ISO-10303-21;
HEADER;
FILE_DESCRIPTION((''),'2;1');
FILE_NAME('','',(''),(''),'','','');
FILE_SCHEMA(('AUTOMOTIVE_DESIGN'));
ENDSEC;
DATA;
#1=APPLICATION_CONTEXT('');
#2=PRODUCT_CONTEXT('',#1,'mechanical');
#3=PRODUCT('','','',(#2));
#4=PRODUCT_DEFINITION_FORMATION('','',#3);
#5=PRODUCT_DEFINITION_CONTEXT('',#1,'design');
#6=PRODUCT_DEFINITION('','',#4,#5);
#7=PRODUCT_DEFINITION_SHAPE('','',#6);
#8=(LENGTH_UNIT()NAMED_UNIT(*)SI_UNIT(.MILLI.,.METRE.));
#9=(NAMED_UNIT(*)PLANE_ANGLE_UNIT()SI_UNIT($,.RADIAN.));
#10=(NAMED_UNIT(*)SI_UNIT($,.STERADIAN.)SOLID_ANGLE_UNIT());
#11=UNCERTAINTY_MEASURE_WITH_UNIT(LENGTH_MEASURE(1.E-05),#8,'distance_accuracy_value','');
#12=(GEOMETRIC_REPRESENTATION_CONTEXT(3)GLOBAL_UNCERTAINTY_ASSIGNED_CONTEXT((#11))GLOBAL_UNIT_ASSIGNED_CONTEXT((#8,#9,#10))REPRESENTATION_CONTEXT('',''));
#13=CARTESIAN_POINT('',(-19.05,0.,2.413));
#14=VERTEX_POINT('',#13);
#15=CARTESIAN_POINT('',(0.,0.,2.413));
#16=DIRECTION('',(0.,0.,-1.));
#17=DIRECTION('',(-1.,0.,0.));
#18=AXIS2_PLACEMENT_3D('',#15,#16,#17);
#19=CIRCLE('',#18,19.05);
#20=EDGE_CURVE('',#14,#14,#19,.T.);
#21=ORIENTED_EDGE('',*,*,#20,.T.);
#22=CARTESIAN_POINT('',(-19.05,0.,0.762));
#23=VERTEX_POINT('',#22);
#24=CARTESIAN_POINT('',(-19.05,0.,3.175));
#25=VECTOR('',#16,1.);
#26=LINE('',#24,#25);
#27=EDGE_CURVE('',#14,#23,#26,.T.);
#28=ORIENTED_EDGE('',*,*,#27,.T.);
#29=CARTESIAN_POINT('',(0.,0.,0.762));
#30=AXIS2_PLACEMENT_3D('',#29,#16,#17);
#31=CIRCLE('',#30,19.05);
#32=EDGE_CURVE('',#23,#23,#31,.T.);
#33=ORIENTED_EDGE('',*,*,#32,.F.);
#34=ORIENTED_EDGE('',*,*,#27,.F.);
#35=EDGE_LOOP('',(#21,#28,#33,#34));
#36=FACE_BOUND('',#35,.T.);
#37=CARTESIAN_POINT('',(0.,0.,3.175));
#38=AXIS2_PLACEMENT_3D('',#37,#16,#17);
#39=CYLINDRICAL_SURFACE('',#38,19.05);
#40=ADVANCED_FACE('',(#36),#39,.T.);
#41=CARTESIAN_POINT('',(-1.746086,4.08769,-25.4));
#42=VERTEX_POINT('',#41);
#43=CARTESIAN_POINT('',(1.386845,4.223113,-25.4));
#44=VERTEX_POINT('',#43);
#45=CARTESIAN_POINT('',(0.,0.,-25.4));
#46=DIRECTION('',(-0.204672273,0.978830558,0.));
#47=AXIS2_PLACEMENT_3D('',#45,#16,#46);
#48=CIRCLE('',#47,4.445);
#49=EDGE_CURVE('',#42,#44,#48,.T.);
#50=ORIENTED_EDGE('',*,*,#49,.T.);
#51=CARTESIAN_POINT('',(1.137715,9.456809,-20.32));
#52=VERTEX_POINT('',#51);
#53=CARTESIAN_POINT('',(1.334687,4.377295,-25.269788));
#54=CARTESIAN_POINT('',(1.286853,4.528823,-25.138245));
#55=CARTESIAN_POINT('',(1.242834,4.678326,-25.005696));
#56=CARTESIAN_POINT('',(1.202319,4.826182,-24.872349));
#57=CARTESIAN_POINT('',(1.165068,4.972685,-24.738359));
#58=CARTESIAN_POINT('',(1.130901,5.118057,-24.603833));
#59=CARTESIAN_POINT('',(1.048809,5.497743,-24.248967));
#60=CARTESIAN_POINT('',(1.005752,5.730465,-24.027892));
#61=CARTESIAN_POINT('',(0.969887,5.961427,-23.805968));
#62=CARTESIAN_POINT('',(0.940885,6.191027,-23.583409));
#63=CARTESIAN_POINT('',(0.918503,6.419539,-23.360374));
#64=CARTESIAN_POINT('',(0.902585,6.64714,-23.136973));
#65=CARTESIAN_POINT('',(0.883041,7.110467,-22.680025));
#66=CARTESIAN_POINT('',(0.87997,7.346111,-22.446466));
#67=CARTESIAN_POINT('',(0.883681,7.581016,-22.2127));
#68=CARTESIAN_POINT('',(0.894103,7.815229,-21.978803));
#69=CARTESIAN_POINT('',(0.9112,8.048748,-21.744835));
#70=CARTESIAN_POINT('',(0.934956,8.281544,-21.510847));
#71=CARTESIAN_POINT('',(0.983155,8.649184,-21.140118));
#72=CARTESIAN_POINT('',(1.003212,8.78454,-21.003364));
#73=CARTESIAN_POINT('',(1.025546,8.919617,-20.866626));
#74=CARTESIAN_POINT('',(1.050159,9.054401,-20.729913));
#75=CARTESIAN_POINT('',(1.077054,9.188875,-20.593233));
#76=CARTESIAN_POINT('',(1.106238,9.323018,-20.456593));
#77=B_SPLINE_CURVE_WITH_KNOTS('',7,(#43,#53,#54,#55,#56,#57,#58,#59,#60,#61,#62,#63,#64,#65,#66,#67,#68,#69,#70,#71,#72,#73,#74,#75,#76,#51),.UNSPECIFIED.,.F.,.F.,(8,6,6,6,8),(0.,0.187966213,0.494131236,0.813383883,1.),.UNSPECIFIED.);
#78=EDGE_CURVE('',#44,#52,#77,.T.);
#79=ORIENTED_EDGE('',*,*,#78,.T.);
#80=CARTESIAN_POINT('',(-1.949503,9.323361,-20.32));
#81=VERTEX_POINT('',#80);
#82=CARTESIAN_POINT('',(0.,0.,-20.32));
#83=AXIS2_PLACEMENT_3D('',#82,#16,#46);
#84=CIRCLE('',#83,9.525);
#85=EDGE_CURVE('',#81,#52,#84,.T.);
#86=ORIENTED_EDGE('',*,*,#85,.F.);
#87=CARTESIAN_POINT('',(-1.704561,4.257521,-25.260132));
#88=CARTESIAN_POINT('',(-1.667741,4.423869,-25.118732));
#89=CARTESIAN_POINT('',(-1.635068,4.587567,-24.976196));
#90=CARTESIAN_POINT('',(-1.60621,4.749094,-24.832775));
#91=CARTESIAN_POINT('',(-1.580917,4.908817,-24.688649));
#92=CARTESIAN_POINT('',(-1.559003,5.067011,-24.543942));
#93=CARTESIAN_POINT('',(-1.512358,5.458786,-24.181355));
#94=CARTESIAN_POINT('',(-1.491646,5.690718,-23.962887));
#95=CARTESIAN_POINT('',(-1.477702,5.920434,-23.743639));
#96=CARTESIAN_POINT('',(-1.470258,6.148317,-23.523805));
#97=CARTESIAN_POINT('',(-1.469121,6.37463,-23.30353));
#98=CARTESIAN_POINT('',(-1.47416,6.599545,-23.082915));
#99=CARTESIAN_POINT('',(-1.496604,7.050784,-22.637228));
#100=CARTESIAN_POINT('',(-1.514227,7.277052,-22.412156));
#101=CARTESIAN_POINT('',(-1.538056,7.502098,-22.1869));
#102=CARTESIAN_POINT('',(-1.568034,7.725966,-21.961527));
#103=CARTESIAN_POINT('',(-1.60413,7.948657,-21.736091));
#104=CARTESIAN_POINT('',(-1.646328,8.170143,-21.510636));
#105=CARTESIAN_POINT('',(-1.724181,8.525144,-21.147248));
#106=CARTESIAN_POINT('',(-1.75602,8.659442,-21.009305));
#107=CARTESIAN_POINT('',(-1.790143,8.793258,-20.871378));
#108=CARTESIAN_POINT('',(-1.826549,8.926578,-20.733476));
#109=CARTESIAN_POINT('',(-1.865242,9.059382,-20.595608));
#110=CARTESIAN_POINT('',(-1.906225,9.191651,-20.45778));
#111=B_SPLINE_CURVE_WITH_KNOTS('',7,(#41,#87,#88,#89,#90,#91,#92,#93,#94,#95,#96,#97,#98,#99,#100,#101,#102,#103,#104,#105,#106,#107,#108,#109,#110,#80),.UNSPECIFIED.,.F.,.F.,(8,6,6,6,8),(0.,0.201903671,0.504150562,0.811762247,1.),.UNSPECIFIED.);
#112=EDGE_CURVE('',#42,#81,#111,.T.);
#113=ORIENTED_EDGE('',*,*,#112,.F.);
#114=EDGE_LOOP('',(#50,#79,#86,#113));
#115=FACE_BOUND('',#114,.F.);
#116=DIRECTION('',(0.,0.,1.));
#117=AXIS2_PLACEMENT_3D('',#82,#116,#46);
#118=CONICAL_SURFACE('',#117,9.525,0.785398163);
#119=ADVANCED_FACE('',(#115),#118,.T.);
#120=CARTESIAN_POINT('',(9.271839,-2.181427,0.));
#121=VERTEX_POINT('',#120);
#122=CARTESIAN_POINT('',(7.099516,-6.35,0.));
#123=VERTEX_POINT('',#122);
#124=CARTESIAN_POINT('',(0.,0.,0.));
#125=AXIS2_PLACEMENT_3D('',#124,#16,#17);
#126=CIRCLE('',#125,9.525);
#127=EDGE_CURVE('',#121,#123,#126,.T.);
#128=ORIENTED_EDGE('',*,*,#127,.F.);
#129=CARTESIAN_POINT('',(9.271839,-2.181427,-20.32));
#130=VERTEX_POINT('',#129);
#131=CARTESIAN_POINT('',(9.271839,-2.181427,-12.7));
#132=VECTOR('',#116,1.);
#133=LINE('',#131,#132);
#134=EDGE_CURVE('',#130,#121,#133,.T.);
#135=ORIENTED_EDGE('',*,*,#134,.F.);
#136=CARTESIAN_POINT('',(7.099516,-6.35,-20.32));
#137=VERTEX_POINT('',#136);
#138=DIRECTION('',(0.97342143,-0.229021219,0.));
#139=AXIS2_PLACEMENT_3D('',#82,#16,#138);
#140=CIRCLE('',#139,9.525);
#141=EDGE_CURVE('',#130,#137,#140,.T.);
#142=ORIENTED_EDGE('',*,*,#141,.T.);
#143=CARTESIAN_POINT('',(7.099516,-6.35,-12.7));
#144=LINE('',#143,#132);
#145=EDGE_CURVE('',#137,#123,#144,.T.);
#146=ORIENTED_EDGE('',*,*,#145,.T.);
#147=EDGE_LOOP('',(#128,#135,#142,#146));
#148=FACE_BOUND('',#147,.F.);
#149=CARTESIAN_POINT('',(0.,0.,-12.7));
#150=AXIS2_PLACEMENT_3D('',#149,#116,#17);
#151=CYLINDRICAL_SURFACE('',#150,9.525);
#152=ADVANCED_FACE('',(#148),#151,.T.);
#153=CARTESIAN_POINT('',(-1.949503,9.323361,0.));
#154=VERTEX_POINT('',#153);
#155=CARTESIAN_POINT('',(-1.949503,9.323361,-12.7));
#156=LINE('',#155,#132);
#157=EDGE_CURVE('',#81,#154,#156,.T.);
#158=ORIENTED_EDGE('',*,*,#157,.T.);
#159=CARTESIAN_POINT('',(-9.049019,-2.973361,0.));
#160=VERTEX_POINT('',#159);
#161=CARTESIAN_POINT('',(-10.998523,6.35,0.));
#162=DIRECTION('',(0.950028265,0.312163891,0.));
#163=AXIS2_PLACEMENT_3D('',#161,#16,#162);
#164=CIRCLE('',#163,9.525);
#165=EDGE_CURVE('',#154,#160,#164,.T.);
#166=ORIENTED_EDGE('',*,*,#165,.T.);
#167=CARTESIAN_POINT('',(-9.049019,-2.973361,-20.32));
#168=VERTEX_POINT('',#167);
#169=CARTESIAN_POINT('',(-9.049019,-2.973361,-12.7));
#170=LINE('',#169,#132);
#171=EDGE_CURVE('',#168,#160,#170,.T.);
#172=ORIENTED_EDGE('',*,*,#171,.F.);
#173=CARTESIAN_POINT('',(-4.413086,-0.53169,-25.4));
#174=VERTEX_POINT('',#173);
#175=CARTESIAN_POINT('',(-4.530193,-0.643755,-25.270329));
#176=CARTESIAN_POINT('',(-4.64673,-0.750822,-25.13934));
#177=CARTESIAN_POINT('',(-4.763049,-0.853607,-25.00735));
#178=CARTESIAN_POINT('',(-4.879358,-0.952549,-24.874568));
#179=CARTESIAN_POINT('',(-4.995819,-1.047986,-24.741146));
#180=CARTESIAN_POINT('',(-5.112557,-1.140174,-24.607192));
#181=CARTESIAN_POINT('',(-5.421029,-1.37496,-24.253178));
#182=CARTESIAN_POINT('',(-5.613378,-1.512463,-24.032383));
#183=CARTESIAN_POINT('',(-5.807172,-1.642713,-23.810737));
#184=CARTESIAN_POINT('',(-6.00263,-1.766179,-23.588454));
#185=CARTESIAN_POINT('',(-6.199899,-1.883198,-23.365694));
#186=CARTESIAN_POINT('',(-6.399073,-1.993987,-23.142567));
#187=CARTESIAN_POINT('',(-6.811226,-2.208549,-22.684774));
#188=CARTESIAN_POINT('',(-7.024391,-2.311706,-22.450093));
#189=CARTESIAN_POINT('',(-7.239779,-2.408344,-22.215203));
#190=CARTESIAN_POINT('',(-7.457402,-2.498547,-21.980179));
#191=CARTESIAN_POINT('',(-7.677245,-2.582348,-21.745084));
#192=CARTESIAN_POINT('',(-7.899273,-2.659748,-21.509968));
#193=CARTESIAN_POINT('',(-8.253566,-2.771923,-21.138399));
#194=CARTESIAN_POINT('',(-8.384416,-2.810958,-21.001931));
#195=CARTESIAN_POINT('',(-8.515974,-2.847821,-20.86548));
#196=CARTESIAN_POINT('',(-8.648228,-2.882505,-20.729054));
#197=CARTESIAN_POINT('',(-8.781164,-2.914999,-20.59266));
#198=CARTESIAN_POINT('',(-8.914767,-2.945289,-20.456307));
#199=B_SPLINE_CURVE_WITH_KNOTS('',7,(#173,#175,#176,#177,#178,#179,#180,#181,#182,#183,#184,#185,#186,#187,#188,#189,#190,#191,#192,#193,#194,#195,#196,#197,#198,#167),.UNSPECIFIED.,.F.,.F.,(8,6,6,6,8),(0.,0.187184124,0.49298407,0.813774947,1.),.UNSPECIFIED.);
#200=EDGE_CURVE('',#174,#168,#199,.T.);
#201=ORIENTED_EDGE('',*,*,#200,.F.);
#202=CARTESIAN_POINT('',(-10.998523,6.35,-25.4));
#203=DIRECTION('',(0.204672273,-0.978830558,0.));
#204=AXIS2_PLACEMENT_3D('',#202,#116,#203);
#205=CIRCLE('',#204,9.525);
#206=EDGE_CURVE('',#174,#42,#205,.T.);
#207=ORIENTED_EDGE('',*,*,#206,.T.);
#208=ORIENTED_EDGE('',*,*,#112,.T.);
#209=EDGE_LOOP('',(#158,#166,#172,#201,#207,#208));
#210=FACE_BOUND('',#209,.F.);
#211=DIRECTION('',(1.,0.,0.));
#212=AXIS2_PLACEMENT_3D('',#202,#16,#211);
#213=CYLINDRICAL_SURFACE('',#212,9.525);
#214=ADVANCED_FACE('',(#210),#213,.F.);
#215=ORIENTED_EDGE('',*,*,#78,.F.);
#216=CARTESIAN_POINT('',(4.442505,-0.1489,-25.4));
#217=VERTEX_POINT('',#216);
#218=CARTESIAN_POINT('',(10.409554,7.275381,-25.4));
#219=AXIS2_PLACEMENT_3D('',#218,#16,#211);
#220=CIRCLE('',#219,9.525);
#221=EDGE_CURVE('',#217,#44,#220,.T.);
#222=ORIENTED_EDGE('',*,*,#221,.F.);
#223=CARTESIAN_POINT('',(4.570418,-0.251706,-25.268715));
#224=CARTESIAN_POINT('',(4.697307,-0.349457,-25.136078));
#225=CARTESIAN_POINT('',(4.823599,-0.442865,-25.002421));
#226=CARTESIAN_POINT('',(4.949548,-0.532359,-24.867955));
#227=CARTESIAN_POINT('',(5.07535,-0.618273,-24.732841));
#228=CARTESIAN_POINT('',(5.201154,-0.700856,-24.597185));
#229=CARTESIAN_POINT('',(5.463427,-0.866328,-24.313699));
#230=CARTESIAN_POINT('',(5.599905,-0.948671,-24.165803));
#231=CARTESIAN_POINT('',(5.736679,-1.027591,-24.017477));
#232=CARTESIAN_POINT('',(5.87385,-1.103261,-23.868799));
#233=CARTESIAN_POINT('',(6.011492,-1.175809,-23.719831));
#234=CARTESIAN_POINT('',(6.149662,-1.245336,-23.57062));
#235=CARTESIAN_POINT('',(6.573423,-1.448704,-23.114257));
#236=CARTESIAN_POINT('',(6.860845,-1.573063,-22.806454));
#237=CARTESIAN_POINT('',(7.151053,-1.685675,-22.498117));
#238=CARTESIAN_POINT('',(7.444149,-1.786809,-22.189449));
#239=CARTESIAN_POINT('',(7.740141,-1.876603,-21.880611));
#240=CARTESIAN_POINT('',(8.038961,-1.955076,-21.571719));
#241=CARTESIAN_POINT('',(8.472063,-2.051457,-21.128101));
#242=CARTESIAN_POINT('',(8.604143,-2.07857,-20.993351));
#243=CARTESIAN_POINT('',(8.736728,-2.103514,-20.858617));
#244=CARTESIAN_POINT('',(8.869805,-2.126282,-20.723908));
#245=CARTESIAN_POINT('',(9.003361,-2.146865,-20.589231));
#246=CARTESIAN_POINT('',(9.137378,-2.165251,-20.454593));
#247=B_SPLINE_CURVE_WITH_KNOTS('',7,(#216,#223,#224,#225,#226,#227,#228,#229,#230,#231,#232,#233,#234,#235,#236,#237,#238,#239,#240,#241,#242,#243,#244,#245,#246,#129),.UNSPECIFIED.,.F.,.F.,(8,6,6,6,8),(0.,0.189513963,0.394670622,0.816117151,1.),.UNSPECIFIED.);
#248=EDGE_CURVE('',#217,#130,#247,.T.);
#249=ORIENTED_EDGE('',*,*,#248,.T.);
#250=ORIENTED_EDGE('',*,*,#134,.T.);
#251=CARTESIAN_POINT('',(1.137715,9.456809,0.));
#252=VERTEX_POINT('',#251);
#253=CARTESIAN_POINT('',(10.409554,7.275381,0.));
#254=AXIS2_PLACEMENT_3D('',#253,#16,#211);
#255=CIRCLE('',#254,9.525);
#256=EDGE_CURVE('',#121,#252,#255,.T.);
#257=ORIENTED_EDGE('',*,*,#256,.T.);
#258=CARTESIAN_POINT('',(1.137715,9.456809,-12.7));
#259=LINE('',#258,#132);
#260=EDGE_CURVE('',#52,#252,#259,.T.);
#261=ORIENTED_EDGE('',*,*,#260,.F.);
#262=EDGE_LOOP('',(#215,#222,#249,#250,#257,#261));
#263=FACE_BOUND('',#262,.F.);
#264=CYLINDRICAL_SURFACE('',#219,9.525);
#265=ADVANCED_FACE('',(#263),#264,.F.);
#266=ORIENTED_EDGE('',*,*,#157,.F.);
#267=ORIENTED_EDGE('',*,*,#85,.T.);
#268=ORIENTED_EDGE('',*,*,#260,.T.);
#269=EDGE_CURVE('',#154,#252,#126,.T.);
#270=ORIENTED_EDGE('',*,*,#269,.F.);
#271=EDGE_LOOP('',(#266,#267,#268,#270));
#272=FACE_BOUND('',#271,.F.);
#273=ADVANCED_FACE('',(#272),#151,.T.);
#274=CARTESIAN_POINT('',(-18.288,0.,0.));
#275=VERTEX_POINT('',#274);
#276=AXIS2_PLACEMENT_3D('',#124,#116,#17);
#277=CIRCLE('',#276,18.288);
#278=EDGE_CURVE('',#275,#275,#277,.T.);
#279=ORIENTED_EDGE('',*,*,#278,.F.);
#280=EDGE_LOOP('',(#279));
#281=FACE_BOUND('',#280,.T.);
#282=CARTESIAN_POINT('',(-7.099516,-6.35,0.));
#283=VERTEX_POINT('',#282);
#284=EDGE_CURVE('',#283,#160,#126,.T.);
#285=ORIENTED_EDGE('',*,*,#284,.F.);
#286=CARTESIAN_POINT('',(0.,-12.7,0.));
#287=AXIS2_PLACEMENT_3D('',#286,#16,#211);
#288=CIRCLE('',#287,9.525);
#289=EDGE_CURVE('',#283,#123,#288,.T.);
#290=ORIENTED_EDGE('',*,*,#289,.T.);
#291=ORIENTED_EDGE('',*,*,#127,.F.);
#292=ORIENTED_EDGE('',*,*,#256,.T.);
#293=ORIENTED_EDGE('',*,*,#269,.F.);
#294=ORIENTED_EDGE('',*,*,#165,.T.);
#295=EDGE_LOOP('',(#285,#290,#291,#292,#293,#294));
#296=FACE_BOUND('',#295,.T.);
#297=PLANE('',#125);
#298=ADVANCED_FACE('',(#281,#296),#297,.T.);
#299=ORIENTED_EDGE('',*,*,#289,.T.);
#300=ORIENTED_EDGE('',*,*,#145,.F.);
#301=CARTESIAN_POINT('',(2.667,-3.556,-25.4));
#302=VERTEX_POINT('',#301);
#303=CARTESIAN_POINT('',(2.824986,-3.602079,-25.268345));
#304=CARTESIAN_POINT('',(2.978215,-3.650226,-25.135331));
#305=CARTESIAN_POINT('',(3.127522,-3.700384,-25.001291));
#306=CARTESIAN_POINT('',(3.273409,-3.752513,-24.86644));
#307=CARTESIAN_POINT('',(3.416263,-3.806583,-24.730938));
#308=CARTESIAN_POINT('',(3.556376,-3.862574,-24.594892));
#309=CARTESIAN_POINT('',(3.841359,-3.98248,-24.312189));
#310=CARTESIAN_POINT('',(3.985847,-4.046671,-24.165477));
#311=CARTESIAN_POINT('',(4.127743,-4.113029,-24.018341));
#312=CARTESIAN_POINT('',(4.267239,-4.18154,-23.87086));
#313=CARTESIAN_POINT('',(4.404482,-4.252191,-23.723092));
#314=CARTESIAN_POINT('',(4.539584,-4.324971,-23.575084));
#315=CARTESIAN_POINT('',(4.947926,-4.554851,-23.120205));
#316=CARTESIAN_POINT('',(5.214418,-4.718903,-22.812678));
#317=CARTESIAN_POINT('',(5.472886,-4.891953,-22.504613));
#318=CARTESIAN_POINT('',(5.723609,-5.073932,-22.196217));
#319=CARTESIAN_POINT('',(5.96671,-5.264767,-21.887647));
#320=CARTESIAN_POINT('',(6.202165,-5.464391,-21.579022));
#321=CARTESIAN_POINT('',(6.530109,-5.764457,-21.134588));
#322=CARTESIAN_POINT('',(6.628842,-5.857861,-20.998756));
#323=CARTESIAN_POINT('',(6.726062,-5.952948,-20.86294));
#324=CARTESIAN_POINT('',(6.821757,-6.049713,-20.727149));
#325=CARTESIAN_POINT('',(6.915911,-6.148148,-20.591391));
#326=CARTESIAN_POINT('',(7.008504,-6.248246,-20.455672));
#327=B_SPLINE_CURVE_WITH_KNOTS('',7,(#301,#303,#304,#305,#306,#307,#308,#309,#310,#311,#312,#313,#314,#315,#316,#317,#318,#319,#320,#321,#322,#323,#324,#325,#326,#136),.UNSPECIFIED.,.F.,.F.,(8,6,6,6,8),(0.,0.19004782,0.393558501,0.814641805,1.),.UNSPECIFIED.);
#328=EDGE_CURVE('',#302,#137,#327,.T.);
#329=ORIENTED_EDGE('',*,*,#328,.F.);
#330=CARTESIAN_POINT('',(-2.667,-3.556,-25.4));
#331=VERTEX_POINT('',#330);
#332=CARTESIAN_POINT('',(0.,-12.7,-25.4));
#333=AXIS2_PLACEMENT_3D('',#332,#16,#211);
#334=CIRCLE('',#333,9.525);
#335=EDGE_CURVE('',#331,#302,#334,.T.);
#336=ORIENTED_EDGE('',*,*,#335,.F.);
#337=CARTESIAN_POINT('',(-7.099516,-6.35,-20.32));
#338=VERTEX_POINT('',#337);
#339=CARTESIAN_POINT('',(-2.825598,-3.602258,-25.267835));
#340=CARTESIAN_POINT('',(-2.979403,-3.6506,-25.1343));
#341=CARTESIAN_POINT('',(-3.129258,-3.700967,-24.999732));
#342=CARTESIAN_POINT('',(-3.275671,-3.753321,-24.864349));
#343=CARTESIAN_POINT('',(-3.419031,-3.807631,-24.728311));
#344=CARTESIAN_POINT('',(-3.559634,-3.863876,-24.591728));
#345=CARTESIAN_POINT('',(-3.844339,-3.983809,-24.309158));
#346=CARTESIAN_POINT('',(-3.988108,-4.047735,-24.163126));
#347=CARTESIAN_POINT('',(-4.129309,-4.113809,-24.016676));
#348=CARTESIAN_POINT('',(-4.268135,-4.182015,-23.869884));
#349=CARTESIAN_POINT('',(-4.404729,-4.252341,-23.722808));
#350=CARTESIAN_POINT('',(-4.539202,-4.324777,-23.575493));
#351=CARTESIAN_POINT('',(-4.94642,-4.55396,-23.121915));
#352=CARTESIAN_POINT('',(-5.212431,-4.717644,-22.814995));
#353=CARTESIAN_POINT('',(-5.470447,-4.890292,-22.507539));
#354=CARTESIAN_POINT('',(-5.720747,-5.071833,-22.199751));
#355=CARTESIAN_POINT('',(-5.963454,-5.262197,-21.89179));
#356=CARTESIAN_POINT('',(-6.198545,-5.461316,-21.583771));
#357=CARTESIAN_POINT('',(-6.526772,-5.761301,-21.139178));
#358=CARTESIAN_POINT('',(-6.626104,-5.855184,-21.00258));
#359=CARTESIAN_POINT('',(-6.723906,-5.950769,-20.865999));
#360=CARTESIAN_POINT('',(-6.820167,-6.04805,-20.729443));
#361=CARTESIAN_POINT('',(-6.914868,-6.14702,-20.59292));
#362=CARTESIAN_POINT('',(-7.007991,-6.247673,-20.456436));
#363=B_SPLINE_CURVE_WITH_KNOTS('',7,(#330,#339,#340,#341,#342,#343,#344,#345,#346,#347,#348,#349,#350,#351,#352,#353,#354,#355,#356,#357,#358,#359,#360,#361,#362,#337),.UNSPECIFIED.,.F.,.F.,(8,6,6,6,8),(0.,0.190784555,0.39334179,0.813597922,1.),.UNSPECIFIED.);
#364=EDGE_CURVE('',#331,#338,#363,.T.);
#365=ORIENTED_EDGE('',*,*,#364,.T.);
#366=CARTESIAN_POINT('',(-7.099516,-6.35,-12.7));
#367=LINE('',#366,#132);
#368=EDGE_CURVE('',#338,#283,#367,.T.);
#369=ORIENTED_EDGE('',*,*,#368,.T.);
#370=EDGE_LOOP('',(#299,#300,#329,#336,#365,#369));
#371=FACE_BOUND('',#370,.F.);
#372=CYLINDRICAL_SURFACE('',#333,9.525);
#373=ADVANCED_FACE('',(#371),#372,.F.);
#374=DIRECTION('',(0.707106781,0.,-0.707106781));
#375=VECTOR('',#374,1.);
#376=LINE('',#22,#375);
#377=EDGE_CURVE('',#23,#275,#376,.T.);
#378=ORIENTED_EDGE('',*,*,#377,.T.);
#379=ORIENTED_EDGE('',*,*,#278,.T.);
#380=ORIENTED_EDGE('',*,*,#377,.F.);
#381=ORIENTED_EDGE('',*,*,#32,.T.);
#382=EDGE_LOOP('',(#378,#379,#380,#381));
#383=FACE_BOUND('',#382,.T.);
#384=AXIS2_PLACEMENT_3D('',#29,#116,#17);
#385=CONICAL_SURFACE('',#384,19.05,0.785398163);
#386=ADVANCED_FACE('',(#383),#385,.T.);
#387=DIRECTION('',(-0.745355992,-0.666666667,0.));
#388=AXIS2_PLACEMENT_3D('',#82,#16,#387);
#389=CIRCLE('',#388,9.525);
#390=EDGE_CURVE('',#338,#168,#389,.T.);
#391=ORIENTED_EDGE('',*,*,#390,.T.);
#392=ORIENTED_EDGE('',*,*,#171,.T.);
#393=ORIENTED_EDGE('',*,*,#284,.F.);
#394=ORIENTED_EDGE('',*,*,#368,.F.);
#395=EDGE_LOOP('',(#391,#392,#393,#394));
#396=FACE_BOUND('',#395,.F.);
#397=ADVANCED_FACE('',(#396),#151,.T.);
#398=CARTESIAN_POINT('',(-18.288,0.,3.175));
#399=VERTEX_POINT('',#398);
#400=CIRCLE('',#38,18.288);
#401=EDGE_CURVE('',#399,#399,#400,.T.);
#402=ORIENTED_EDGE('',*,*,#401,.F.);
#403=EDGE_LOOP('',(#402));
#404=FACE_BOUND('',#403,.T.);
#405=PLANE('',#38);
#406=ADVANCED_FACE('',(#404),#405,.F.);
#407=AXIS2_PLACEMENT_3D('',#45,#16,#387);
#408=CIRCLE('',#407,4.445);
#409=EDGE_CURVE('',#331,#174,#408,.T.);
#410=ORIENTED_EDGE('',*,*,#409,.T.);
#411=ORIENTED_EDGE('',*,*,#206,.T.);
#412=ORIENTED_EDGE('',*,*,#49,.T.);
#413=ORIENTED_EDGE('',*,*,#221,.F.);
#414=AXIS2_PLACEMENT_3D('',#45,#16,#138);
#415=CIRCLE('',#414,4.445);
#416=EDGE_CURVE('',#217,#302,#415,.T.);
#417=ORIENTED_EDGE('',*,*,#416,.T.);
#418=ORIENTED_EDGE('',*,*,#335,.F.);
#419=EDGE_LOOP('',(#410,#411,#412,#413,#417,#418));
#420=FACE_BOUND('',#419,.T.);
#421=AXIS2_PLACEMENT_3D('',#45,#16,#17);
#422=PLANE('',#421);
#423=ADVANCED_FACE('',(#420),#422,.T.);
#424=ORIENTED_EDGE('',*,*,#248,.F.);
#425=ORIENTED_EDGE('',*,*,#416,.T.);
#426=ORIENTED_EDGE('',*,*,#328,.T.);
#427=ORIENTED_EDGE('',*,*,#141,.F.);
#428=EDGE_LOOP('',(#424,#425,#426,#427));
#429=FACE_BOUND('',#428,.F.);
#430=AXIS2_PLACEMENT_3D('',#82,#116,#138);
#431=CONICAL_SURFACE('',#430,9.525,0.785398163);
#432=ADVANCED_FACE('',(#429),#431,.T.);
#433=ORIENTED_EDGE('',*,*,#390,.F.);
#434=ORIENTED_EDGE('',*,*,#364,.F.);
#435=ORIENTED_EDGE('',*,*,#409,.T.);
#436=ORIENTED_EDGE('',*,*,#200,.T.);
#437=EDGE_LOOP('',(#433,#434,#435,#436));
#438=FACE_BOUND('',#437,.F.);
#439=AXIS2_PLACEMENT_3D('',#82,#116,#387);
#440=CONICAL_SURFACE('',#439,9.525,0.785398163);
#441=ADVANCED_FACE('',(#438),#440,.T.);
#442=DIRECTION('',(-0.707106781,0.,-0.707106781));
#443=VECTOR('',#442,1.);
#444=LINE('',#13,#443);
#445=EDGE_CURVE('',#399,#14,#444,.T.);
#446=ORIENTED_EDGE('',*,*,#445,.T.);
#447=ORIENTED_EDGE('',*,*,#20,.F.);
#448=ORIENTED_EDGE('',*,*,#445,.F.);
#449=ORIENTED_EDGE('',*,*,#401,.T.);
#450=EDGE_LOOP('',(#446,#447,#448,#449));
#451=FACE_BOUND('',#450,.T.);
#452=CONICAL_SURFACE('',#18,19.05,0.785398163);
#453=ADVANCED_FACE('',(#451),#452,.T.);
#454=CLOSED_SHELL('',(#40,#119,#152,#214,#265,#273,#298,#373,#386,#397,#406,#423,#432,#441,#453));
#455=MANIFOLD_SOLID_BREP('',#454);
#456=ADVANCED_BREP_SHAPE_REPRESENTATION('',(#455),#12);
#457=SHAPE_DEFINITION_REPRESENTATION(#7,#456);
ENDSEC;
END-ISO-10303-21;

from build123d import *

# Parameters (mm, degrees)
F0_W     = 9.525
F0_H     = 25.4
F2_SIZE  = 0.762
F3_R     = 9.525
F4_DEPTH = 25.4
F5_SIZE  = 5.08


with BuildPart() as f1:
    # F0 (on Front) → F1 (revolve)
    with BuildSketch(Plane.XZ):
        with Locations((-4.7625, -12.7)):
            Rectangle(F0_W, F0_H)
        Polygon((-9.525, 0), (0, 0), (0, 3.175), (-19.05, 3.175), (-19.05, 0), align=None)
    revolve(axis=Axis((0, 0, -12.7), (0, 0, -1)))

    # F2
    f2_edges = [f1.edges().sort_by_distance(p)[0] for p in [
        (19.05, 0, 0),
        (19.05, 0, 3.175),
    ]]
    chamfer(f2_edges, length=F2_SIZE)

    # F3 (on face) → F4 (cut, through all)
    with BuildSketch(Plane(origin=(0, 0, -25.4), x_dir=(1, 0, 0), z_dir=(0, 0, -1))):
        with Locations((0, 12.7)):
            Circle(F3_R)
        with Locations((-10.9985226281, -6.35)):
            Circle(F3_R)
        with Locations((10.4095544736, -7.2753814788)):
            Circle(F3_R)
    extrude(amount=-F4_DEPTH, mode=Mode.SUBTRACT)

    # F5
    f5_edges = [f1.edges().sort_by_distance(p)[0] for p in [
        (-8.248892, -4.7625, -25.4),
        (-0.411342, 9.516114, -25.4),
        (8.446867, -4.401825, -25.4),
    ]]
    chamfer(f5_edges, length=F5_SIZE)


solid = f1.part
